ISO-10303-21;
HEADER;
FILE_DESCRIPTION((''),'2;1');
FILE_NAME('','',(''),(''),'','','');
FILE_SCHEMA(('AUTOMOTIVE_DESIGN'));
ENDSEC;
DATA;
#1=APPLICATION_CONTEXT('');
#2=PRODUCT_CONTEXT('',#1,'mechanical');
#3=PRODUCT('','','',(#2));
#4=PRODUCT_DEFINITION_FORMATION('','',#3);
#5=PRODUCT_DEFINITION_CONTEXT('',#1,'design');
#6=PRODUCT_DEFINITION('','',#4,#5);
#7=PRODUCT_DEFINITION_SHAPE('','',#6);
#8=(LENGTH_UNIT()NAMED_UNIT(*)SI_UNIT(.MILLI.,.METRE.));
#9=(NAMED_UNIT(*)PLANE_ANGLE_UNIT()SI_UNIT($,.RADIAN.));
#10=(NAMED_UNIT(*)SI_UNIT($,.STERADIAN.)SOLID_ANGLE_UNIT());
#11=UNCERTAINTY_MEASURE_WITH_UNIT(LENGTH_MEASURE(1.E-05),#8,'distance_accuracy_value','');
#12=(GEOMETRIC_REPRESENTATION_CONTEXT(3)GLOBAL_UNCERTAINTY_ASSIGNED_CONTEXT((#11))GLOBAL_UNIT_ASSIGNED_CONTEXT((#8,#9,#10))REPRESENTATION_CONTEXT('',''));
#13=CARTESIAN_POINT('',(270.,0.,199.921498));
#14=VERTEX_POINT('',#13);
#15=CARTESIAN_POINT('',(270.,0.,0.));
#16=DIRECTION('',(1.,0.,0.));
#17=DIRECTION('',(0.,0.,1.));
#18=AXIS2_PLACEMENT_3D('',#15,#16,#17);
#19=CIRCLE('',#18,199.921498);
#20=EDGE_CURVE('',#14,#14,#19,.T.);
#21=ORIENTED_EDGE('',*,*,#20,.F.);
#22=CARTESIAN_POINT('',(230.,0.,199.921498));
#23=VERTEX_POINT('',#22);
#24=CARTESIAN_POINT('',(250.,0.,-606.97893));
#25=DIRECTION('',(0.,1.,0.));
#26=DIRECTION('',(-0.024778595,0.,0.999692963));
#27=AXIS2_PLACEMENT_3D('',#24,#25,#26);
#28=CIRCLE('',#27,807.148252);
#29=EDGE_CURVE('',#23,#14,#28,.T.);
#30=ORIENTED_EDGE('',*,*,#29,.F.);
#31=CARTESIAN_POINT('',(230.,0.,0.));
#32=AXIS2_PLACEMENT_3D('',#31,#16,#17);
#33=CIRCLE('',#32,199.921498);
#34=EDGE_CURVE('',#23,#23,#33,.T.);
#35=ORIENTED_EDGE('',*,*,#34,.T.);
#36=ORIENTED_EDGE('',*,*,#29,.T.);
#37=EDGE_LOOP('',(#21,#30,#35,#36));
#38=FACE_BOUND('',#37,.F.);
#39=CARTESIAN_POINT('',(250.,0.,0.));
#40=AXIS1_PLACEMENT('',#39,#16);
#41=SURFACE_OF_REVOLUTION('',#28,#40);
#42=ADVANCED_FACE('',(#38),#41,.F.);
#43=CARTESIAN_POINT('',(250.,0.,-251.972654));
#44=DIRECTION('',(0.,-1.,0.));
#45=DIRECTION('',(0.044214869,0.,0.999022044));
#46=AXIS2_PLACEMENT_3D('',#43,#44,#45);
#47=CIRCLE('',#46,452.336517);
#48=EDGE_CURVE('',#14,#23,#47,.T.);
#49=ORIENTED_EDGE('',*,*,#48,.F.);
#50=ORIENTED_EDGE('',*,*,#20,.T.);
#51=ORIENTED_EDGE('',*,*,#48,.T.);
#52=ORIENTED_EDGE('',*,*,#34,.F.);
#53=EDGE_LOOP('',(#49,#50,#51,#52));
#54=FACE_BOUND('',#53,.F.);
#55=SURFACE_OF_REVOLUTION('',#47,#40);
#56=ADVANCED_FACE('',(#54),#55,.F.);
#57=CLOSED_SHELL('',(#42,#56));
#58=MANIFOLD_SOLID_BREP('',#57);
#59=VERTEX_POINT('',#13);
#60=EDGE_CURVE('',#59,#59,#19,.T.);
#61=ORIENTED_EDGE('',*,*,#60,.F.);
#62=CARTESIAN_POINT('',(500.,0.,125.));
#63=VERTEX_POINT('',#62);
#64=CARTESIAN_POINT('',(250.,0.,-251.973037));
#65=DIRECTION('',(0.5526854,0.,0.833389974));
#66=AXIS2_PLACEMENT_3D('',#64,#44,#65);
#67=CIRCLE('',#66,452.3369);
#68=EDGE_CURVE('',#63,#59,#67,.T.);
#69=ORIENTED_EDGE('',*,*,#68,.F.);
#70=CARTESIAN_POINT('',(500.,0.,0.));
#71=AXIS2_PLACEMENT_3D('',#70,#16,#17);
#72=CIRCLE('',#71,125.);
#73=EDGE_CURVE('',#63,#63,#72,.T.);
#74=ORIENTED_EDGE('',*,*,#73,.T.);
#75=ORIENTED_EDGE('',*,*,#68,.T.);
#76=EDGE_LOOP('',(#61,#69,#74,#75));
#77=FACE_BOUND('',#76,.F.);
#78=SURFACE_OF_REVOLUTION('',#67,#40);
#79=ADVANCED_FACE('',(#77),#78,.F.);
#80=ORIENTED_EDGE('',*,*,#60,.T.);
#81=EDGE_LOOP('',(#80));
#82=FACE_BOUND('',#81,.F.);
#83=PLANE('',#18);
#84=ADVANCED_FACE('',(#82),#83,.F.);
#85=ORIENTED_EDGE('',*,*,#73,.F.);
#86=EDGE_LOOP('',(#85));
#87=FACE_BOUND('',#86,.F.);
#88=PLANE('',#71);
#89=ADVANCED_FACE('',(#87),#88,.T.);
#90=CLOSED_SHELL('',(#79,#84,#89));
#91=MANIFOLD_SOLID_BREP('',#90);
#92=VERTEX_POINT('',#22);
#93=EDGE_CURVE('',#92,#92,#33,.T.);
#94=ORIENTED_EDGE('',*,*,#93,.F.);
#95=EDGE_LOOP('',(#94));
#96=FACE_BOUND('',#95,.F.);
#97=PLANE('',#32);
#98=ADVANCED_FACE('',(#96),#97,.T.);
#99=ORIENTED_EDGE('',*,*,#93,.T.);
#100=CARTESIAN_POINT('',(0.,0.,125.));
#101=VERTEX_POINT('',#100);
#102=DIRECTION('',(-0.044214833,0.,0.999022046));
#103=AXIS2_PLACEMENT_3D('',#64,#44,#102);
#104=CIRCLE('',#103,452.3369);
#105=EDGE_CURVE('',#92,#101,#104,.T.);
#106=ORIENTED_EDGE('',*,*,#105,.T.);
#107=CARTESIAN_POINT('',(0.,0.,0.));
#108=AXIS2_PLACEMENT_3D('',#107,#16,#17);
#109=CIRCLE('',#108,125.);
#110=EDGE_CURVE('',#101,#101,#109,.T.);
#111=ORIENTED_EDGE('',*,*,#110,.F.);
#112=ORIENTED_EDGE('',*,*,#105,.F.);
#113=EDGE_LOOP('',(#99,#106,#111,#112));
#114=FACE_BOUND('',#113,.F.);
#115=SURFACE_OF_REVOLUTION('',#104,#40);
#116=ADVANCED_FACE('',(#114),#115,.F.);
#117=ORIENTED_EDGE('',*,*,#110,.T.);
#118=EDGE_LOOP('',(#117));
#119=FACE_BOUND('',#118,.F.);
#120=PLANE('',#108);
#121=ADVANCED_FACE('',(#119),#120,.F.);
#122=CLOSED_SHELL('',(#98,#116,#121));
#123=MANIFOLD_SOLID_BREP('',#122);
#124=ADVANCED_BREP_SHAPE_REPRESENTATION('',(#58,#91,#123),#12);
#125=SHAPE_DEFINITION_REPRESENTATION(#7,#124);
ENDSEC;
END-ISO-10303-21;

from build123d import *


with BuildPart() as f1:
    # F0 (on Front) → F1 (revolve)
    with BuildSketch(Plane.XZ):
        with BuildLine():
            ThreePointArc((230, 199.921498), (250, 200.169322), (270, 199.921498))
            ThreePointArc((270, 199.921498), (250, 200.363863), (230, 199.921498))
        make_face()
        with BuildLine():
            Line((230, 0), (230, 199.921498))
            ThreePointArc((230, 199.921498), (109.898937, 178.120398), (0, 125))
            Line((0, 125), (0, 0))
            Line((0, 0), (230, 0))
        make_face()
        with BuildLine():
            Line((500, 0), (500, 125))
            ThreePointArc((500, 125), (390.101063, 178.120398), (270, 199.921498))
            Line((270, 199.921498), (270, 0))
            Line((270, 0), (500, 0))
        make_face()
    revolve(axis=Axis((250, 0, 0), (1, 0, 0)))


solid = f1.part
